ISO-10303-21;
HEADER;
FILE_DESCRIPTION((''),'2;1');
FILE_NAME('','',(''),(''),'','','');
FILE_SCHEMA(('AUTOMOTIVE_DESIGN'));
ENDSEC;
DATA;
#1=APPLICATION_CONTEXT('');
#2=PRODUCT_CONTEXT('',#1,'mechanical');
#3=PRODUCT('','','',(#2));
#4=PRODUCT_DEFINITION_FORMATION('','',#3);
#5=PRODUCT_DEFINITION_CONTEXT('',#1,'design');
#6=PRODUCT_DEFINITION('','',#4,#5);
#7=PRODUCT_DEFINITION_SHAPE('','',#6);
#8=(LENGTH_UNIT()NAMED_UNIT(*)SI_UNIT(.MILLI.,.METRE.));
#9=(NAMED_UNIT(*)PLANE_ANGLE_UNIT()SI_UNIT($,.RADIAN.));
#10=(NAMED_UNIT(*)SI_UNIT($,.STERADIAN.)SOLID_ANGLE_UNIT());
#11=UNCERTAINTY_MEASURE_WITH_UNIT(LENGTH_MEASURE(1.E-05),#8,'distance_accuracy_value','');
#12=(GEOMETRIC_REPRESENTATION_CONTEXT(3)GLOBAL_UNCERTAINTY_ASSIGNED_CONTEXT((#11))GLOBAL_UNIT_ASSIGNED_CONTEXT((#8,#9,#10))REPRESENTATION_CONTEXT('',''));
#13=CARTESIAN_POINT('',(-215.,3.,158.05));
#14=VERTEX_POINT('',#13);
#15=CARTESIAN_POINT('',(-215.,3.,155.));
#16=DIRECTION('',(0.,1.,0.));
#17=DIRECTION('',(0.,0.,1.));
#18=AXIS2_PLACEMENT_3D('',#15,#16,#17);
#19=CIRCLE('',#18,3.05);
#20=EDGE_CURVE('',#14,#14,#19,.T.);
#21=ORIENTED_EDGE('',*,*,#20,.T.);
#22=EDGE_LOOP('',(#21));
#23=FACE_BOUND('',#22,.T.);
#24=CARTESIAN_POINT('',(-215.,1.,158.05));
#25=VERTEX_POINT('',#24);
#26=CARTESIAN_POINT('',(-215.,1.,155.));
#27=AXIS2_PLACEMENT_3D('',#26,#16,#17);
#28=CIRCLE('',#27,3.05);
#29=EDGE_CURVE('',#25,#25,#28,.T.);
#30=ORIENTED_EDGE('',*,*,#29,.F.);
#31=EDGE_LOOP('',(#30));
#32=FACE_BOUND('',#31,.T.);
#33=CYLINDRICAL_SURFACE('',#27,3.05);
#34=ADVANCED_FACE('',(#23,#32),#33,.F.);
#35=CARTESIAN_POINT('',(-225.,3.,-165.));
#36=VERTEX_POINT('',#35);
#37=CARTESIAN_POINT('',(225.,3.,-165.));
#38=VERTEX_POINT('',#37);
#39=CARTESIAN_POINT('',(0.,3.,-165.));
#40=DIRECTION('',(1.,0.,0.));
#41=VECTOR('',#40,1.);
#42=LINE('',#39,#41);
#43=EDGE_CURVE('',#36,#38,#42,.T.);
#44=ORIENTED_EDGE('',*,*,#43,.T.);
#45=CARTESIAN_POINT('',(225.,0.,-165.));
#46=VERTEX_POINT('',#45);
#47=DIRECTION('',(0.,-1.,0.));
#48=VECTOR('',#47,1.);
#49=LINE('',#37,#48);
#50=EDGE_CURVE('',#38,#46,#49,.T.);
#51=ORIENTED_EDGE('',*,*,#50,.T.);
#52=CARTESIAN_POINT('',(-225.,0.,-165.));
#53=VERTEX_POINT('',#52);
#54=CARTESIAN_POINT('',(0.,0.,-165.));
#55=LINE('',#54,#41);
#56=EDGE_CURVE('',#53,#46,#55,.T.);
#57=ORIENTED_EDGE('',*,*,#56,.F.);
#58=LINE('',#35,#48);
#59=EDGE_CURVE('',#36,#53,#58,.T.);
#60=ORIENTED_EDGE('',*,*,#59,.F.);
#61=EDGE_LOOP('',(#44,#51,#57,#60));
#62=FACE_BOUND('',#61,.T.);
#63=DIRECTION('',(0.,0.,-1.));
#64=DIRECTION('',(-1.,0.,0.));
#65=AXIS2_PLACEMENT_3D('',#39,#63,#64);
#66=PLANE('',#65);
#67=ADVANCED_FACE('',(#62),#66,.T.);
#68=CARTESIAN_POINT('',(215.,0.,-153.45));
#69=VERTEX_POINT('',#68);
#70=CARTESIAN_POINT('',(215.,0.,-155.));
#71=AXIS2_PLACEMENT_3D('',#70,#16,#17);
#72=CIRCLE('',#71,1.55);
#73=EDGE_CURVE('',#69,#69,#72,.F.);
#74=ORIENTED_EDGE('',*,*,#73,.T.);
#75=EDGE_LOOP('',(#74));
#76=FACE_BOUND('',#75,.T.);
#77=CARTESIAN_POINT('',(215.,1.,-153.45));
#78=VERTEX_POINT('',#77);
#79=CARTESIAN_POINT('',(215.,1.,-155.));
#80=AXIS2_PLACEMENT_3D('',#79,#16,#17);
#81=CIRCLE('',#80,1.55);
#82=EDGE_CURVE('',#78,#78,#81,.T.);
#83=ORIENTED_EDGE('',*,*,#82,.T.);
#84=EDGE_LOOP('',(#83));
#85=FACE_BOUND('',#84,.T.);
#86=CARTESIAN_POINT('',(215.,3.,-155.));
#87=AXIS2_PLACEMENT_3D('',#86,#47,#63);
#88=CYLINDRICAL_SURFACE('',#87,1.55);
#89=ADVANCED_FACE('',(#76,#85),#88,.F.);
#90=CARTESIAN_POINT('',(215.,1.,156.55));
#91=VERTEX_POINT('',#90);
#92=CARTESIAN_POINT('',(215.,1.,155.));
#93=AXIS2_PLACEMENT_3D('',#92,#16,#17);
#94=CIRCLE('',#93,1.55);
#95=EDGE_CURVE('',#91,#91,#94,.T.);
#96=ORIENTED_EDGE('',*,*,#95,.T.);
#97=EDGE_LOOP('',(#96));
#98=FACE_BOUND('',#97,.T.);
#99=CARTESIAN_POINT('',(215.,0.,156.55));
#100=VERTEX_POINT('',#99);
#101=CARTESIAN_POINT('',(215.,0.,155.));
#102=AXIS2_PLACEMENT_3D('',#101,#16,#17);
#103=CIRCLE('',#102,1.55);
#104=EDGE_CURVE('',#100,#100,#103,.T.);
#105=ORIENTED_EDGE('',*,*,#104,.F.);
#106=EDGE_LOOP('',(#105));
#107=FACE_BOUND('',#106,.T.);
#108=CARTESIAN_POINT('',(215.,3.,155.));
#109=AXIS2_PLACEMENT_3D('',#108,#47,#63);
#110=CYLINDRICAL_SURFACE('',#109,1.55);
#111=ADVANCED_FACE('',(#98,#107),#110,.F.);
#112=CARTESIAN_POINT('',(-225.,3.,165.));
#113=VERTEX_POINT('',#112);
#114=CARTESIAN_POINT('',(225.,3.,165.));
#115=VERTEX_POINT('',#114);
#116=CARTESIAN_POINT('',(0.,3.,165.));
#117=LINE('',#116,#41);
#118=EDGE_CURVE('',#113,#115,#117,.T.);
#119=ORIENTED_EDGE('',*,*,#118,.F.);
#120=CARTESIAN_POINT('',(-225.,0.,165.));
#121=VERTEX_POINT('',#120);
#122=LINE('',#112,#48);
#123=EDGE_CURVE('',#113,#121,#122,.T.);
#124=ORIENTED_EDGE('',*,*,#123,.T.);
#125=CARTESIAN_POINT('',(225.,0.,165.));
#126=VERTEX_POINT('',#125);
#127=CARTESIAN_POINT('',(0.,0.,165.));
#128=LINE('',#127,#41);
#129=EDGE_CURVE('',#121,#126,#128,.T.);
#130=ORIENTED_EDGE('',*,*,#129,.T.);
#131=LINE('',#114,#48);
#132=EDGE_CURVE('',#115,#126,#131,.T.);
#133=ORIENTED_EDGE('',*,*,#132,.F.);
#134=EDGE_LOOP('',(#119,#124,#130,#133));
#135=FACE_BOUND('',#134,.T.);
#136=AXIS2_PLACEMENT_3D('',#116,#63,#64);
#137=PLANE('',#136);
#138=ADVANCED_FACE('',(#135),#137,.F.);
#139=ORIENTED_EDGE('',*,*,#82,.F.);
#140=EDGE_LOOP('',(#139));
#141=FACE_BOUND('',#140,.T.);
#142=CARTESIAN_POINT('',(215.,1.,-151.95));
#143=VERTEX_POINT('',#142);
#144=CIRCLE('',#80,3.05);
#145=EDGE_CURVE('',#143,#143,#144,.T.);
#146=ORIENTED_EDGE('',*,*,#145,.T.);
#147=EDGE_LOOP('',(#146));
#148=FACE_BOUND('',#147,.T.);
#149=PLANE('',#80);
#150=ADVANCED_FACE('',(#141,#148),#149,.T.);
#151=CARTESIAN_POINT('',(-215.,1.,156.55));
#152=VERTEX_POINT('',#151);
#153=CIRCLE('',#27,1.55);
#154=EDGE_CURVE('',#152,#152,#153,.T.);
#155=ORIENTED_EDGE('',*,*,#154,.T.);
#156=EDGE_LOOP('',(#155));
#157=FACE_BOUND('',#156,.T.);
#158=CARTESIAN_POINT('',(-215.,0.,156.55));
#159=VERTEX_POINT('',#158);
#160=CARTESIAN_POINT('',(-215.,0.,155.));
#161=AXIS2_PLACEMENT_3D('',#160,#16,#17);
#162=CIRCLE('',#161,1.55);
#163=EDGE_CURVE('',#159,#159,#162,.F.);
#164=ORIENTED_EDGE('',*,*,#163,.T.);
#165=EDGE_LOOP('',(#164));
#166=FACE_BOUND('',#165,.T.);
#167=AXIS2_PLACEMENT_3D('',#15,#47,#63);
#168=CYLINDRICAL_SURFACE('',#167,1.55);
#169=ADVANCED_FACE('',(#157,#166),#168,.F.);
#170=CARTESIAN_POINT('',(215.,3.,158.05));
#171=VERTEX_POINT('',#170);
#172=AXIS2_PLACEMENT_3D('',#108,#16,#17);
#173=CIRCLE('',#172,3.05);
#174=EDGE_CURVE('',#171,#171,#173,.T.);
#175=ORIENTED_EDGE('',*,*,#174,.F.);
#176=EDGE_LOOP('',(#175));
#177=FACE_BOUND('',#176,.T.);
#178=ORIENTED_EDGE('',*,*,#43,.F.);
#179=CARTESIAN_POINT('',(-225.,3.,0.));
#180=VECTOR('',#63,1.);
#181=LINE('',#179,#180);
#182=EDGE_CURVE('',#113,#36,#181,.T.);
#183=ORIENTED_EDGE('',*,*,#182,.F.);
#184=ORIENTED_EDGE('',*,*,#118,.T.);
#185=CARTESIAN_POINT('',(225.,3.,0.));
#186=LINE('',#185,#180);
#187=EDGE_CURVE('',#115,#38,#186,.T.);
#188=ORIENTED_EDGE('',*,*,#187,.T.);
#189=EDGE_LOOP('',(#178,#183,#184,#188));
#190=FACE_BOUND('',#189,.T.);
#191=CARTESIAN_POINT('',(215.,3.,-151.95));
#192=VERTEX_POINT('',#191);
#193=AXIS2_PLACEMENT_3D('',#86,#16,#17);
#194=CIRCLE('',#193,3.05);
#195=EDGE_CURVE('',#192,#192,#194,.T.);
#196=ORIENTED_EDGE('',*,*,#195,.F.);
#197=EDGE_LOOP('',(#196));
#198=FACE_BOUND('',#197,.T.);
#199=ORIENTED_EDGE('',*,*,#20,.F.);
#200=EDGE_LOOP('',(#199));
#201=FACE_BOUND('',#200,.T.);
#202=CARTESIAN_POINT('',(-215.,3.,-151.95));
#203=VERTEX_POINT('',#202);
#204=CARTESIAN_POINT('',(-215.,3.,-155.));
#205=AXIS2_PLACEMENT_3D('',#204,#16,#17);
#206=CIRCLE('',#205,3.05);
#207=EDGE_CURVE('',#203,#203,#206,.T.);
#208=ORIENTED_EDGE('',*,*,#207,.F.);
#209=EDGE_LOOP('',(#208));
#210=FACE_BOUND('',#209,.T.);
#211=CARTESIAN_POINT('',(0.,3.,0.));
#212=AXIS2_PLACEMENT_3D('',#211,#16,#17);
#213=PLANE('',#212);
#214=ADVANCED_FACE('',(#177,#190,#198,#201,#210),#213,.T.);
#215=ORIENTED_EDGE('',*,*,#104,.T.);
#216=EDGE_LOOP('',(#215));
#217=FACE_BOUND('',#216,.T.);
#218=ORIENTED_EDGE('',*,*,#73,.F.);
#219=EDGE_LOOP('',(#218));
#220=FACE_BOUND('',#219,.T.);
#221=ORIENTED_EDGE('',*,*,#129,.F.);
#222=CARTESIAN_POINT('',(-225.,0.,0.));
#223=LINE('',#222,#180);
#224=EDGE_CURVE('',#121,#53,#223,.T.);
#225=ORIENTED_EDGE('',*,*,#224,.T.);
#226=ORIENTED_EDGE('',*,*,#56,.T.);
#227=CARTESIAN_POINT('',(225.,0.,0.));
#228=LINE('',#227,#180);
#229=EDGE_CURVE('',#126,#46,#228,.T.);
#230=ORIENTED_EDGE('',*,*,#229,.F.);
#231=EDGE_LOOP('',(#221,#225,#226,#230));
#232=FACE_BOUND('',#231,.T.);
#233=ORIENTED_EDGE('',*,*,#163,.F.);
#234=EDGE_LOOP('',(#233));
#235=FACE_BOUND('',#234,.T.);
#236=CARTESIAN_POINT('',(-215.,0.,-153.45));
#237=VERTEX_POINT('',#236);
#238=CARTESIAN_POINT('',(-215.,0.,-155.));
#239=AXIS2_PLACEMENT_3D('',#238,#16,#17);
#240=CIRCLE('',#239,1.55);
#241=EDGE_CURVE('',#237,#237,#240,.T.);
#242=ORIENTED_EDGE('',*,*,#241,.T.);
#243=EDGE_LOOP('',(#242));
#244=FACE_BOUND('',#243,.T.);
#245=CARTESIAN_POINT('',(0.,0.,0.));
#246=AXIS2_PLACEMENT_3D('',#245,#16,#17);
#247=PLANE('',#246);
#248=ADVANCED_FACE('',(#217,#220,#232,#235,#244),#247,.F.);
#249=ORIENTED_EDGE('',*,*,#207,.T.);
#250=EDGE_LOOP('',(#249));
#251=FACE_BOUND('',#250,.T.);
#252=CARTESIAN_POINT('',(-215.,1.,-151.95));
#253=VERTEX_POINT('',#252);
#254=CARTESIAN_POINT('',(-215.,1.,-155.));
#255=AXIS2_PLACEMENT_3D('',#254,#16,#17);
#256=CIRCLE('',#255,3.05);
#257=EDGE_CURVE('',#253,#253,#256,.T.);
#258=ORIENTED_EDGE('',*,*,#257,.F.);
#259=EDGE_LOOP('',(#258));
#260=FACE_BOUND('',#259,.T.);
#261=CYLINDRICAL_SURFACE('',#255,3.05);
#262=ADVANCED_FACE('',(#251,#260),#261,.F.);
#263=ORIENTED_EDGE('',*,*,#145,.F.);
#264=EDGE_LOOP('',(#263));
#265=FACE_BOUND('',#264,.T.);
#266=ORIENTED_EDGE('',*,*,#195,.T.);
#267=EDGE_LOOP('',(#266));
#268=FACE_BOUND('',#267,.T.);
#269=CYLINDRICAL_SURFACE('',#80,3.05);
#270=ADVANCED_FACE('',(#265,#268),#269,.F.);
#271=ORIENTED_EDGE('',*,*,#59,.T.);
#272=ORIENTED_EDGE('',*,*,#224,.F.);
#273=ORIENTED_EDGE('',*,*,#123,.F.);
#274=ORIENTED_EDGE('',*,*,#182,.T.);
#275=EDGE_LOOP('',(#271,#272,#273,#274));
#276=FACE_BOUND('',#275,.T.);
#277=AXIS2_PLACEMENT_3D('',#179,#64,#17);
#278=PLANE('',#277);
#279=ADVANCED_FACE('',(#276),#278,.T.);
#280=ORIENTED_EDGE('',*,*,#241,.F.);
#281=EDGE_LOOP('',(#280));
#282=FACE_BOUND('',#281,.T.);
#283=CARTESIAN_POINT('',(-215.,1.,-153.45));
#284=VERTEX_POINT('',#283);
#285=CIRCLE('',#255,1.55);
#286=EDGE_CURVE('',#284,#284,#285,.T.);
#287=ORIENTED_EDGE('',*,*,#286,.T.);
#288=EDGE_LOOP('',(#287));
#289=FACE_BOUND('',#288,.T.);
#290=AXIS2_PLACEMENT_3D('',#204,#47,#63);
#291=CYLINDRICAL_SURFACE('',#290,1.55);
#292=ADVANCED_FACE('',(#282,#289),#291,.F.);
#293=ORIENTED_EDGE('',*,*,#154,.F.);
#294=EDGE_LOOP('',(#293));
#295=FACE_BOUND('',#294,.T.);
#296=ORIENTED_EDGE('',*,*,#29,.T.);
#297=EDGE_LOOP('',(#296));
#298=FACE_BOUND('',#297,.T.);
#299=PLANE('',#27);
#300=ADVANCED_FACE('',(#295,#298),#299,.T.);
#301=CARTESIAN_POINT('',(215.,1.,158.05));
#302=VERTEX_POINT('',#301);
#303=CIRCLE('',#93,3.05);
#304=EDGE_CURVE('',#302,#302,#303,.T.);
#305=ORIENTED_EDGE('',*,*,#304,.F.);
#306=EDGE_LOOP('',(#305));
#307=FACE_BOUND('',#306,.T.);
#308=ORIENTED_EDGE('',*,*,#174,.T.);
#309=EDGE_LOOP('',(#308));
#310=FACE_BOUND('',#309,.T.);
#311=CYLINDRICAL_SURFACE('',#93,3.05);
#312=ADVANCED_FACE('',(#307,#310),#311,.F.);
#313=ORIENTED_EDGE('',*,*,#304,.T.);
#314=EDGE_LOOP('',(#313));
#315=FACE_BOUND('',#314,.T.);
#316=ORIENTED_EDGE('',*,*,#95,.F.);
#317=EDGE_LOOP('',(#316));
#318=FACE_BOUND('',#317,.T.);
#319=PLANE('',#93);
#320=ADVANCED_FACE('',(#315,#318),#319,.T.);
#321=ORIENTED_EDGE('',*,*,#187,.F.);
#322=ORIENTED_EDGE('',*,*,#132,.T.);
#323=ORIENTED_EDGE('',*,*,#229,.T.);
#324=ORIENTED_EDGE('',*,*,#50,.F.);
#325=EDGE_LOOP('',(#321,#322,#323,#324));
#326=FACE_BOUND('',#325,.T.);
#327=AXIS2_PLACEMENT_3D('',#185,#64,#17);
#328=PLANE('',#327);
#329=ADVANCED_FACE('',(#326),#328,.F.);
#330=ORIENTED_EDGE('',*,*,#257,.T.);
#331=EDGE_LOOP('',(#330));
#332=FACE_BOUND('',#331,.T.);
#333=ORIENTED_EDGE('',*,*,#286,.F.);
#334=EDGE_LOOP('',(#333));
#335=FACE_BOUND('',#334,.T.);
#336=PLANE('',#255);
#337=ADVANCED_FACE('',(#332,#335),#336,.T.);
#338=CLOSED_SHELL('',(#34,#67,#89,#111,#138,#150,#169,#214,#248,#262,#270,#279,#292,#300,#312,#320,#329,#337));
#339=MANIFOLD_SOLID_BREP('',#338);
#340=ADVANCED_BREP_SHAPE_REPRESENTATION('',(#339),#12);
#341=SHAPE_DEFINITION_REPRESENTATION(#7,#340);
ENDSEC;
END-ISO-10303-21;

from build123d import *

# Parameters (mm, degrees)
SKETCH1_W           = 450
SKETCH1_H           = 330
SKETCH1_R           = 3.05
SKETCH1_R_2         = 1.55
BOSS_EXTRUDE1_DEPTH = 3
CUT_EXTRUDE1_START  = 3
SKETCH1_3_R         = 3.05
SKETCH1_3_R_2       = 1.55
CUT_EXTRUDE1_DEPTH  = 2


with BuildPart() as part:
    # Sketch1 → Boss-Extrude1 (new body)
    with BuildSketch(Plane(origin=(0, 0, 0), x_dir=(1, 0, 0), z_dir=(0, 1, 0))):
        Rectangle(SKETCH1_W, SKETCH1_H)
        with Locations((215, -155)):
            Circle(SKETCH1_R, mode=Mode.SUBTRACT)
        with Locations((-215, 155)):
            Circle(SKETCH1_R, mode=Mode.SUBTRACT)
        with Locations((215, 155)):
            Circle(SKETCH1_R, mode=Mode.SUBTRACT)
        with Locations((-215, -155)):
            Circle(SKETCH1_R, mode=Mode.SUBTRACT)
        with Locations((-215, 155)):
            Circle(SKETCH1_R)
        with Locations((-215, 155)):
            Circle(SKETCH1_R_2, mode=Mode.SUBTRACT)
        with Locations((215, 155)):
            Circle(SKETCH1_R)
        with Locations((215, 155)):
            Circle(SKETCH1_R_2, mode=Mode.SUBTRACT)
        with Locations((215, -155)):
            Circle(SKETCH1_R)
        with Locations((215, -155)):
            Circle(SKETCH1_R_2, mode=Mode.SUBTRACT)
        with Locations((-215, -155)):
            Circle(SKETCH1_R)
        with Locations((-215, -155)):
            Circle(SKETCH1_R_2, mode=Mode.SUBTRACT)
    extrude(amount=BOSS_EXTRUDE1_DEPTH)

    # Sketch1<3> → Cut-Extrude1 (cut)
    with BuildSketch(Plane(origin=(0, 0, 0), x_dir=(1, 0, 0), z_dir=(0, 1, 0)).offset(CUT_EXTRUDE1_START)):
        with Locations((-215, -155)):
            Circle(SKETCH1_3_R)
        with Locations((-215, -155)):
            Circle(SKETCH1_3_R_2, mode=Mode.SUBTRACT)
        with Locations((-215, 155)):
            Circle(SKETCH1_3_R)
        with Locations((-215, 155)):
            Circle(SKETCH1_3_R_2, mode=Mode.SUBTRACT)
        with Locations((215, -155)):
            Circle(SKETCH1_3_R)
        with Locations((215, -155)):
            Circle(SKETCH1_3_R_2, mode=Mode.SUBTRACT)
        with Locations((215, 155)):
            Circle(SKETCH1_3_R)
        with Locations((215, 155)):
            Circle(SKETCH1_3_R_2, mode=Mode.SUBTRACT)
    extrude(amount=-CUT_EXTRUDE1_DEPTH, mode=Mode.SUBTRACT)


solid = part.part
